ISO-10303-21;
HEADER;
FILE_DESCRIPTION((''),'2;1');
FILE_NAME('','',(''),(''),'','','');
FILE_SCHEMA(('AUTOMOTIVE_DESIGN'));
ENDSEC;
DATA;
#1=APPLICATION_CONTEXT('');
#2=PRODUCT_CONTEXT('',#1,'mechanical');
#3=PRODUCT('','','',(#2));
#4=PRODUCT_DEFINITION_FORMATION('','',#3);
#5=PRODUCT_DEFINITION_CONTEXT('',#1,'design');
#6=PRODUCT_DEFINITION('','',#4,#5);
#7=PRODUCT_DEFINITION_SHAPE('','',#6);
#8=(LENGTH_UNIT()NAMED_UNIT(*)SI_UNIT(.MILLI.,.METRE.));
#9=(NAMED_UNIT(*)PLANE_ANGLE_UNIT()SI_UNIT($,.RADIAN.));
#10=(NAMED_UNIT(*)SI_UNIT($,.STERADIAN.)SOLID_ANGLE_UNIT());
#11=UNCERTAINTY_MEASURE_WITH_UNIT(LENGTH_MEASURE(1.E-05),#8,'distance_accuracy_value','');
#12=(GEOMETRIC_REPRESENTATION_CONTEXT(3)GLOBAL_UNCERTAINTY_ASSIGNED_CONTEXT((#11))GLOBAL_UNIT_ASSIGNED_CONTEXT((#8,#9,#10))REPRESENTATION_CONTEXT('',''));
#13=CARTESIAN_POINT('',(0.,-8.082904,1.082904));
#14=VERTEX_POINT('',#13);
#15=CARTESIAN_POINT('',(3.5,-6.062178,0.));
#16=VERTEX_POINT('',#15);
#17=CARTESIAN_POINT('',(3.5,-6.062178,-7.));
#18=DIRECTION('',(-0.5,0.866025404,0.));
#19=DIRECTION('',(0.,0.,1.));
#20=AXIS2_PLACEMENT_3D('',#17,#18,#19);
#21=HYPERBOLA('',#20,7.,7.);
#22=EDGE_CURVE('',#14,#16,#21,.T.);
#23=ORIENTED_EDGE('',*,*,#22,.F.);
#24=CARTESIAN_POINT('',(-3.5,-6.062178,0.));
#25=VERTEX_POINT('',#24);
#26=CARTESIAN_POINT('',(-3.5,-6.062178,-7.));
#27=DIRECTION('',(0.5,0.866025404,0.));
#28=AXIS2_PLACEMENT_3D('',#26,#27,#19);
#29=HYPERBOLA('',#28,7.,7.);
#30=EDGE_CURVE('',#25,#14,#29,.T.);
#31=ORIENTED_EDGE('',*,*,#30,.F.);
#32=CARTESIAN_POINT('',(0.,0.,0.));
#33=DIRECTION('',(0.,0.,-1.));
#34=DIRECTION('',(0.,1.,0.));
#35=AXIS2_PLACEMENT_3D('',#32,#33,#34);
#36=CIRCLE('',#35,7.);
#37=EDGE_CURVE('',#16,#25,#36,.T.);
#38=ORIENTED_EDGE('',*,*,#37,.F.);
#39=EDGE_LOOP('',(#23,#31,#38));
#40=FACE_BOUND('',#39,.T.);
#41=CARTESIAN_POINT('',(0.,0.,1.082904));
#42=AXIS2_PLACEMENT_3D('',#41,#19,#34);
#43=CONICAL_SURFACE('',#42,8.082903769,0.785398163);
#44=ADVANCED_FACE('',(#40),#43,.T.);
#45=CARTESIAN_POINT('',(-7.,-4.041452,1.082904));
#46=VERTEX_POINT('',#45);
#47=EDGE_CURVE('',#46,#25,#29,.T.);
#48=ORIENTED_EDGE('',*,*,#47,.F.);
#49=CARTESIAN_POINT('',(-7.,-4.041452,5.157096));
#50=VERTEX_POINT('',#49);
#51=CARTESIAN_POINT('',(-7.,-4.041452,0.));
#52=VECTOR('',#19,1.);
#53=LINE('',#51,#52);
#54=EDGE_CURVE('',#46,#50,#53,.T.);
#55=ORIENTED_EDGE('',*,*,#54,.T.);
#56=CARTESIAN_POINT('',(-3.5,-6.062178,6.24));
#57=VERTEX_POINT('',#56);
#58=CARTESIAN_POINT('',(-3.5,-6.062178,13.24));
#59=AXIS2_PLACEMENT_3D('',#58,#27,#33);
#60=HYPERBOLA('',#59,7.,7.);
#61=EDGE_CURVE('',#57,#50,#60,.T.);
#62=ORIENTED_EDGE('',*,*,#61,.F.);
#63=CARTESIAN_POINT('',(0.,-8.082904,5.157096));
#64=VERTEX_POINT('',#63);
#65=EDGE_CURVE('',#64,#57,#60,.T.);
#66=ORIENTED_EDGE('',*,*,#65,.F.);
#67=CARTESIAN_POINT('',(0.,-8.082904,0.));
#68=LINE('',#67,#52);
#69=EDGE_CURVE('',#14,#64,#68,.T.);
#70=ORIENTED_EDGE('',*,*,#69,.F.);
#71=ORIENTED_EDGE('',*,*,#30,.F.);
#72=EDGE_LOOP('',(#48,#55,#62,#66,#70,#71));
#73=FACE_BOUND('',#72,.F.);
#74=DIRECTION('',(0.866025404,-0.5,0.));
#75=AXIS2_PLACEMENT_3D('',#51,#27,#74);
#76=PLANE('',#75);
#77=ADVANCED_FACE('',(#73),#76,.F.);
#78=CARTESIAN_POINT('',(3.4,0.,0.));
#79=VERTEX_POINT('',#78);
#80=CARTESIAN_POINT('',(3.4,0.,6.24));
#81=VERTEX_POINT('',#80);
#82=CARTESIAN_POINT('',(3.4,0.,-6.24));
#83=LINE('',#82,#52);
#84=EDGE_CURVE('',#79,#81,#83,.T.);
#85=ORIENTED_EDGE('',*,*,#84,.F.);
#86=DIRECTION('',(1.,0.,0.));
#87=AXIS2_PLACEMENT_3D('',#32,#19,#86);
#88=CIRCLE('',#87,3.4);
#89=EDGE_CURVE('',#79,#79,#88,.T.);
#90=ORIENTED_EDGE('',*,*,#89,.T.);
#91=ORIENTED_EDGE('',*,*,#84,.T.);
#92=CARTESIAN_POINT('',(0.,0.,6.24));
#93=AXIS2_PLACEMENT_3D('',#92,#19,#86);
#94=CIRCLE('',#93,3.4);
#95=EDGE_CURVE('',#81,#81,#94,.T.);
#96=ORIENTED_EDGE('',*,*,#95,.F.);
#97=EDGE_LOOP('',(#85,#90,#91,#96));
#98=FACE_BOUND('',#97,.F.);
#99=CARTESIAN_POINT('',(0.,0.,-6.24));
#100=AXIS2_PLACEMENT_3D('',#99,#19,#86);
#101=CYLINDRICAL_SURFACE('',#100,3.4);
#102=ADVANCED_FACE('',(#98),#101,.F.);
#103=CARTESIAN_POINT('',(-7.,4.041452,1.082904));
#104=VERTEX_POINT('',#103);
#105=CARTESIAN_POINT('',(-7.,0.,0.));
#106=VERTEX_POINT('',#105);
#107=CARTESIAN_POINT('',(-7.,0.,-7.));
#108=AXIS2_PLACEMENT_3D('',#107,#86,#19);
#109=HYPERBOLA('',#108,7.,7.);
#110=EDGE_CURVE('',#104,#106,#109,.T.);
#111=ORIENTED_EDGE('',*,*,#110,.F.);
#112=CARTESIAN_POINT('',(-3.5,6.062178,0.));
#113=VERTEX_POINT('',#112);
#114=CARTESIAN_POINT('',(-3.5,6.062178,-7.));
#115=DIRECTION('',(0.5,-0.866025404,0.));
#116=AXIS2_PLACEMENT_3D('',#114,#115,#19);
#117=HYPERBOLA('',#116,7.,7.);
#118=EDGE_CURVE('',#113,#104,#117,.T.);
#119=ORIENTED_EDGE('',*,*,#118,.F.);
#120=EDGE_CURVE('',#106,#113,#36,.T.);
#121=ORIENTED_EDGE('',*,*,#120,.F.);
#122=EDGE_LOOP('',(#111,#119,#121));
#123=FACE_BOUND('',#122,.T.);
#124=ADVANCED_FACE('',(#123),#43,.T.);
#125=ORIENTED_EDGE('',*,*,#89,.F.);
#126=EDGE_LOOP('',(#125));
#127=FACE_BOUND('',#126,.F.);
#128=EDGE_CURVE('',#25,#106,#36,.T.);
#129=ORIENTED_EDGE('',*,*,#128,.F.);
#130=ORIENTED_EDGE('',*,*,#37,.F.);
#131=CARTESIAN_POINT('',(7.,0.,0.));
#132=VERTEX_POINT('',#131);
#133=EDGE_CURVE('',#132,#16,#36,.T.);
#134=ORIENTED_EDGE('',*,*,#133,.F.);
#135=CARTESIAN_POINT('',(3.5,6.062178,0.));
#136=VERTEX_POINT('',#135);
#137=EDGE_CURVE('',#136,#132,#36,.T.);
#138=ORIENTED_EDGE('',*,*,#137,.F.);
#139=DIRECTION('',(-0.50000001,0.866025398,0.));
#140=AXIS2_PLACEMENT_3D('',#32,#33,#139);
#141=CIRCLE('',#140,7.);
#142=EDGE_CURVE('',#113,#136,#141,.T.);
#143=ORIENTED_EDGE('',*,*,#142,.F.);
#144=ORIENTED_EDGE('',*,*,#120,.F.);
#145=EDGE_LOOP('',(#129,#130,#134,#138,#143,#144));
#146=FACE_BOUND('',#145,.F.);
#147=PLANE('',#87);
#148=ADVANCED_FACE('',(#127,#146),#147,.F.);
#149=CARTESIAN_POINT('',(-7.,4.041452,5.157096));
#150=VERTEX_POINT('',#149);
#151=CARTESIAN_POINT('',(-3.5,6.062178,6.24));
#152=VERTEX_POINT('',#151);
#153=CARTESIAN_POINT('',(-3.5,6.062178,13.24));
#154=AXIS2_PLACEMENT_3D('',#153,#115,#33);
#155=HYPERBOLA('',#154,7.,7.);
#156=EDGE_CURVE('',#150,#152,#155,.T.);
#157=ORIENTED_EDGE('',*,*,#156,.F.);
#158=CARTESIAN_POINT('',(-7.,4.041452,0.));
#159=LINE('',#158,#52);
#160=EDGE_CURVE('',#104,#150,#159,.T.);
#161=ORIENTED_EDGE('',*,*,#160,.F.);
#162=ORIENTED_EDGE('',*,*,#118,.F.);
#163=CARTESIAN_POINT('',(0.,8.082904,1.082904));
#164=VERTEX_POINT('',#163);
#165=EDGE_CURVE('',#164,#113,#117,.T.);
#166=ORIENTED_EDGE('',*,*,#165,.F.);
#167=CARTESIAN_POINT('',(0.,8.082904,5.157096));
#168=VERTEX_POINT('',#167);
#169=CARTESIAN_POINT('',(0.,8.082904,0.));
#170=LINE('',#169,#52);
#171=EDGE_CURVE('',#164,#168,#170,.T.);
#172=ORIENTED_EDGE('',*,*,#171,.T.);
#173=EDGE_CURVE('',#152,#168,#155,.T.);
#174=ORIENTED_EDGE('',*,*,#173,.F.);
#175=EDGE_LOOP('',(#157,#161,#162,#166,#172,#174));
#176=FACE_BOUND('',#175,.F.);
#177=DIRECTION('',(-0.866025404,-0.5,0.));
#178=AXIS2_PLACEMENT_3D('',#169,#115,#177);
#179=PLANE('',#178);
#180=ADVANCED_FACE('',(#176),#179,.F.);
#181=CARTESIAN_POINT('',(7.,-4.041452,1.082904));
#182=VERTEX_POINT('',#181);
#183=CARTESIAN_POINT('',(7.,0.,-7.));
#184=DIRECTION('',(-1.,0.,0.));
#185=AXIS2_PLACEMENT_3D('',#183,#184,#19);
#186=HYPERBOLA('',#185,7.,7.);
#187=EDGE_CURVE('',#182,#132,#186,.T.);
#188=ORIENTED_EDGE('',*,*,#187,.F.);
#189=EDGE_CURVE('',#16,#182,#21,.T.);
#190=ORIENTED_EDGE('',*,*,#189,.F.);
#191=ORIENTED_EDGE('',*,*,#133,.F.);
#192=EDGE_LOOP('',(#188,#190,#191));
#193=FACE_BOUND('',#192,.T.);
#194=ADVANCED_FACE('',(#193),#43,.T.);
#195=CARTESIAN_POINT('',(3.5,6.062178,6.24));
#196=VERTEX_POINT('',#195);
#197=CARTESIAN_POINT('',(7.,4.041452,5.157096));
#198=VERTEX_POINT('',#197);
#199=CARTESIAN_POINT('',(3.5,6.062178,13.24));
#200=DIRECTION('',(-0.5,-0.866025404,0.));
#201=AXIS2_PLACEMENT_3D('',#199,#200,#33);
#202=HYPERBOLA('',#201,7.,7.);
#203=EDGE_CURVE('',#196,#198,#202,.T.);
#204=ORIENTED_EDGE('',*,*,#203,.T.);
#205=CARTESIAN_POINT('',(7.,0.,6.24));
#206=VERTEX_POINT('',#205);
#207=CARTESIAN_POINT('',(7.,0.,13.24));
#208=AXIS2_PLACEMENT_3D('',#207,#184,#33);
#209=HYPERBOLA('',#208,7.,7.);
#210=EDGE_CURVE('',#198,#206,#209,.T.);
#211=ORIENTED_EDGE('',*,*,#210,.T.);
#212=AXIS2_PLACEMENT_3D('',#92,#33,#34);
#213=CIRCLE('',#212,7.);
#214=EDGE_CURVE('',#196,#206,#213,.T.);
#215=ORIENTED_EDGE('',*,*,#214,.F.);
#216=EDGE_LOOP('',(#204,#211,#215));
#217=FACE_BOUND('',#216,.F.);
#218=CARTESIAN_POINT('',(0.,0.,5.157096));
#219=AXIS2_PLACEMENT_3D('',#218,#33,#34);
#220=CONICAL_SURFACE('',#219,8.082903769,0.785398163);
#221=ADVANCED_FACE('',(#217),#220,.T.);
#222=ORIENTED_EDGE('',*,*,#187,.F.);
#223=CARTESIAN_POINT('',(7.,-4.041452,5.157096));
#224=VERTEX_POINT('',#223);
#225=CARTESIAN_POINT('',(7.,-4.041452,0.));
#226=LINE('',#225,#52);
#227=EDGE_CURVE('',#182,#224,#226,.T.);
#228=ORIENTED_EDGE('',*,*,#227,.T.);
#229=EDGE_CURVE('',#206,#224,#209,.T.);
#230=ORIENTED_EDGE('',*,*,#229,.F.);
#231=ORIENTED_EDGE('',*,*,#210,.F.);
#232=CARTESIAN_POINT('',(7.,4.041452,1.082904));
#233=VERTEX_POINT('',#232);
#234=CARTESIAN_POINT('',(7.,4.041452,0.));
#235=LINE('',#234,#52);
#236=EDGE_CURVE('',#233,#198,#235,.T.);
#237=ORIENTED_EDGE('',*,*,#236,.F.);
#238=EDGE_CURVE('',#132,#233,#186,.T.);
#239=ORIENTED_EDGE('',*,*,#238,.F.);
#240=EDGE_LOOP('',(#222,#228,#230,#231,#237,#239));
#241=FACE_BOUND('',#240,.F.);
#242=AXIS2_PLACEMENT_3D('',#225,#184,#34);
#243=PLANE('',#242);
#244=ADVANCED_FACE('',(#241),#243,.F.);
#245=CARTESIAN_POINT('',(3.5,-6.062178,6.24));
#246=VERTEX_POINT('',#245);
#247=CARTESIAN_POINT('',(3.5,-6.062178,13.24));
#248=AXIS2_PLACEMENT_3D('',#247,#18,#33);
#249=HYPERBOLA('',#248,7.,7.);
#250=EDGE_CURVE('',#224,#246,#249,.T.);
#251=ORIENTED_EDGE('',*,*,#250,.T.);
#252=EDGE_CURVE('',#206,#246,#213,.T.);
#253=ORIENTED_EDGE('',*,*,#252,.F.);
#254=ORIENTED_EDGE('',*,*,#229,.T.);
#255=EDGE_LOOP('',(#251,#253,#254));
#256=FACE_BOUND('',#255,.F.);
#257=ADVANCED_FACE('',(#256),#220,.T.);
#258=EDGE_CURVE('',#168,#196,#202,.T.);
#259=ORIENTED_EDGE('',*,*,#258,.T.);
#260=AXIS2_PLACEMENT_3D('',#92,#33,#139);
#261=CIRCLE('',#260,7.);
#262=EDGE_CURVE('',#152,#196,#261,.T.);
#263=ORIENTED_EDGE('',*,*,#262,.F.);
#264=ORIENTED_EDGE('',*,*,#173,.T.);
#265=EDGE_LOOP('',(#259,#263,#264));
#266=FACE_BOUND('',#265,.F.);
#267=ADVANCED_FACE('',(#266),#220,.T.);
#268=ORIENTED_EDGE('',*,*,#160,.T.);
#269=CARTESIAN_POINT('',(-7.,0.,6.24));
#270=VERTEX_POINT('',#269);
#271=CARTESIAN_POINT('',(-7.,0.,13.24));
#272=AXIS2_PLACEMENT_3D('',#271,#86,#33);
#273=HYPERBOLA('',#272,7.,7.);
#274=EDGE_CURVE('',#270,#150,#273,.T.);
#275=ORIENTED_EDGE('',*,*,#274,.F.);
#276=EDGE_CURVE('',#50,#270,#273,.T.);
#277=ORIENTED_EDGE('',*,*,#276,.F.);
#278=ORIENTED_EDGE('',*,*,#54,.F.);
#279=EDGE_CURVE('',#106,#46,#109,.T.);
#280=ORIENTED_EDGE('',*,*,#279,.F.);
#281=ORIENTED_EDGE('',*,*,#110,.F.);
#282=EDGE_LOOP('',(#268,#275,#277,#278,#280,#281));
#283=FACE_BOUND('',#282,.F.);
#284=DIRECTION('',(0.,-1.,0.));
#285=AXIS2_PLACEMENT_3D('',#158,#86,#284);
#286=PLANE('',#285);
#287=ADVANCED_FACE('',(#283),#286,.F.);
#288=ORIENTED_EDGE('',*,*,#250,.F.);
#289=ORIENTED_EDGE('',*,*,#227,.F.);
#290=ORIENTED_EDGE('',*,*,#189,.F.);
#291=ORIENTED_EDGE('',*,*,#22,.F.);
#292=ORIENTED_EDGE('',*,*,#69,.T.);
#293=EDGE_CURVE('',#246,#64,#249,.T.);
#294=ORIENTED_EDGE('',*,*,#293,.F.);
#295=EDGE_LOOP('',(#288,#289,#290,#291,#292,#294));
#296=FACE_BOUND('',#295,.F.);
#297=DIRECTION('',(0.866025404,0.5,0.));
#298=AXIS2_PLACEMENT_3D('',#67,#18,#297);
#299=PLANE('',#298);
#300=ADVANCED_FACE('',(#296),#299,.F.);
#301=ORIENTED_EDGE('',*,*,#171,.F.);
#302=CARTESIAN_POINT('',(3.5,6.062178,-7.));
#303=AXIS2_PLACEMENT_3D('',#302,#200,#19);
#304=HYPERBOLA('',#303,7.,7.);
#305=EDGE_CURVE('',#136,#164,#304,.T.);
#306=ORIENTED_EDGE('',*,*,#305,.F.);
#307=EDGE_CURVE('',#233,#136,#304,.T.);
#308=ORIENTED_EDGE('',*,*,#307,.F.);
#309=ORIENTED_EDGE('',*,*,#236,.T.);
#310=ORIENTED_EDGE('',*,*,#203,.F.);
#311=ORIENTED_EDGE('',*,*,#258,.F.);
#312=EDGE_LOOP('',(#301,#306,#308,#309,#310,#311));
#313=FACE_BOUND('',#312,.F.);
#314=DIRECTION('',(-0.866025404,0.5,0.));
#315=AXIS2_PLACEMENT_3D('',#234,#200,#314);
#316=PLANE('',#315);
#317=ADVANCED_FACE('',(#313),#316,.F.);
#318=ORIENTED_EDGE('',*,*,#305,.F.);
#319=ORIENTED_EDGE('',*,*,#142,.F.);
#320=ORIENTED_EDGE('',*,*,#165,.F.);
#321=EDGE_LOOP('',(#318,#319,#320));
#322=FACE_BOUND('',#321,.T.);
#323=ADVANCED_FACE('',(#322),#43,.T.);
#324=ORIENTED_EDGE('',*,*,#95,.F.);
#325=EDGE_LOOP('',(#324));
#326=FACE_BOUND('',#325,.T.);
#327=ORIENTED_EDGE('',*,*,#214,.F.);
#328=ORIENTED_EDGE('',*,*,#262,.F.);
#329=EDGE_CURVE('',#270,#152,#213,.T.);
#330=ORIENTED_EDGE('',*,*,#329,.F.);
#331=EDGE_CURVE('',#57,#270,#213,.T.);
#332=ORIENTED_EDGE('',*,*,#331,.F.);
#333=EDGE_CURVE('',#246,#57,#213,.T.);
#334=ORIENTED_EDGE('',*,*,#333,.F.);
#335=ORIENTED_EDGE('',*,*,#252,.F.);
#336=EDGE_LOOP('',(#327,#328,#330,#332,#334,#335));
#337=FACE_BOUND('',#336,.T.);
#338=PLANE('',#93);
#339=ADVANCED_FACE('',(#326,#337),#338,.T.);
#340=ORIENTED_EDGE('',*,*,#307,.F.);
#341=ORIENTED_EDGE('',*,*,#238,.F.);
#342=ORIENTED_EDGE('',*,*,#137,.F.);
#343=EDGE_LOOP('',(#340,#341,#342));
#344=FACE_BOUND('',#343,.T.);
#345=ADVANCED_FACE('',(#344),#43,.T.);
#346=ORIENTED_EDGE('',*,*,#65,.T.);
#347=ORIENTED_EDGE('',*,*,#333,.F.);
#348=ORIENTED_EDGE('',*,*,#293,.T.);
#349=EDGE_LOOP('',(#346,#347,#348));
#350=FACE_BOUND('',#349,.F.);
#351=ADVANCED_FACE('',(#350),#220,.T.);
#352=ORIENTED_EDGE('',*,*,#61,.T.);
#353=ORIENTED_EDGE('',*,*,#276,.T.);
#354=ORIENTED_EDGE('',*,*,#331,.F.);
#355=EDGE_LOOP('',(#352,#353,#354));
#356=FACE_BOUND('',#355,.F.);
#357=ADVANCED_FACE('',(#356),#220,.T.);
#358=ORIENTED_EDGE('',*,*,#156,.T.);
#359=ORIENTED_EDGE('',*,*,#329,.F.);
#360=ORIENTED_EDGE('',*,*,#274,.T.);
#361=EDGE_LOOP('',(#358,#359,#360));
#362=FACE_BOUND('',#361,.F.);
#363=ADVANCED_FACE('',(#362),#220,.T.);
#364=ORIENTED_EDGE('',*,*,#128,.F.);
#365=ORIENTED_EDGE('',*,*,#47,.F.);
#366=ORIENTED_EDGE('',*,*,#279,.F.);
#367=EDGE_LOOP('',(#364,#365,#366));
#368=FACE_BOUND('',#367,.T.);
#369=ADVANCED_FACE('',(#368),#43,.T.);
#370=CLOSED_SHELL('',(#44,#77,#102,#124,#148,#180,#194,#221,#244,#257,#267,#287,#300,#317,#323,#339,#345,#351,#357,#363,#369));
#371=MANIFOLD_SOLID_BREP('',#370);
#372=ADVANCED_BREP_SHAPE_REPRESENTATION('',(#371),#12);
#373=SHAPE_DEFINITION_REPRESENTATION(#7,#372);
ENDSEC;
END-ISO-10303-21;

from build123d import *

# Parameters (mm, degrees)
EXTRUDE_6_DEPTH        = 6.24
HOLE_WIZARD_M8_2_D     = 6.8
HOLE_WIZARD_M8_2_DEPTH = 6.24


with BuildPart() as part:
    # 草圖12 → 填料-伸長6 (new body)
    with BuildSketch(Plane.XY):
        Polygon((7, -4.041451884), (7, 4.041451884), (0, 8.082903769), (-7, 4.041451884), (-7, -4.041451884), (0, -8.082903769), align=None)
    extrude(amount=EXTRUDE_6_DEPTH)

    # M8 螺紋孔2
    with Locations(Plane(origin=(0, 0, 0), x_dir=(-1, 0, 0), z_dir=(0, 0, -1))):
        with Locations((0, 0)):
            Hole(HOLE_WIZARD_M8_2_D / 2, depth=HOLE_WIZARD_M8_2_DEPTH)

    # 草圖17 → 除料-旋轉1 (revolve, cut)
    with BuildSketch(Plane(origin=(0, 0, 0), x_dir=(0, 0, -1), z_dir=(1, 0, 0))):
        Polygon((0, 8.082903769), (-1.082903769, 8.082903769), (0, 7), align=None)
        Polygon((-6.24, 7), (-6.24, 8.082903769), (-5.157096231, 8.082903769), align=None)
    revolve(axis=Axis((0, 0, 0), (0, 0, -1)), mode=Mode.SUBTRACT)


solid = part.part
